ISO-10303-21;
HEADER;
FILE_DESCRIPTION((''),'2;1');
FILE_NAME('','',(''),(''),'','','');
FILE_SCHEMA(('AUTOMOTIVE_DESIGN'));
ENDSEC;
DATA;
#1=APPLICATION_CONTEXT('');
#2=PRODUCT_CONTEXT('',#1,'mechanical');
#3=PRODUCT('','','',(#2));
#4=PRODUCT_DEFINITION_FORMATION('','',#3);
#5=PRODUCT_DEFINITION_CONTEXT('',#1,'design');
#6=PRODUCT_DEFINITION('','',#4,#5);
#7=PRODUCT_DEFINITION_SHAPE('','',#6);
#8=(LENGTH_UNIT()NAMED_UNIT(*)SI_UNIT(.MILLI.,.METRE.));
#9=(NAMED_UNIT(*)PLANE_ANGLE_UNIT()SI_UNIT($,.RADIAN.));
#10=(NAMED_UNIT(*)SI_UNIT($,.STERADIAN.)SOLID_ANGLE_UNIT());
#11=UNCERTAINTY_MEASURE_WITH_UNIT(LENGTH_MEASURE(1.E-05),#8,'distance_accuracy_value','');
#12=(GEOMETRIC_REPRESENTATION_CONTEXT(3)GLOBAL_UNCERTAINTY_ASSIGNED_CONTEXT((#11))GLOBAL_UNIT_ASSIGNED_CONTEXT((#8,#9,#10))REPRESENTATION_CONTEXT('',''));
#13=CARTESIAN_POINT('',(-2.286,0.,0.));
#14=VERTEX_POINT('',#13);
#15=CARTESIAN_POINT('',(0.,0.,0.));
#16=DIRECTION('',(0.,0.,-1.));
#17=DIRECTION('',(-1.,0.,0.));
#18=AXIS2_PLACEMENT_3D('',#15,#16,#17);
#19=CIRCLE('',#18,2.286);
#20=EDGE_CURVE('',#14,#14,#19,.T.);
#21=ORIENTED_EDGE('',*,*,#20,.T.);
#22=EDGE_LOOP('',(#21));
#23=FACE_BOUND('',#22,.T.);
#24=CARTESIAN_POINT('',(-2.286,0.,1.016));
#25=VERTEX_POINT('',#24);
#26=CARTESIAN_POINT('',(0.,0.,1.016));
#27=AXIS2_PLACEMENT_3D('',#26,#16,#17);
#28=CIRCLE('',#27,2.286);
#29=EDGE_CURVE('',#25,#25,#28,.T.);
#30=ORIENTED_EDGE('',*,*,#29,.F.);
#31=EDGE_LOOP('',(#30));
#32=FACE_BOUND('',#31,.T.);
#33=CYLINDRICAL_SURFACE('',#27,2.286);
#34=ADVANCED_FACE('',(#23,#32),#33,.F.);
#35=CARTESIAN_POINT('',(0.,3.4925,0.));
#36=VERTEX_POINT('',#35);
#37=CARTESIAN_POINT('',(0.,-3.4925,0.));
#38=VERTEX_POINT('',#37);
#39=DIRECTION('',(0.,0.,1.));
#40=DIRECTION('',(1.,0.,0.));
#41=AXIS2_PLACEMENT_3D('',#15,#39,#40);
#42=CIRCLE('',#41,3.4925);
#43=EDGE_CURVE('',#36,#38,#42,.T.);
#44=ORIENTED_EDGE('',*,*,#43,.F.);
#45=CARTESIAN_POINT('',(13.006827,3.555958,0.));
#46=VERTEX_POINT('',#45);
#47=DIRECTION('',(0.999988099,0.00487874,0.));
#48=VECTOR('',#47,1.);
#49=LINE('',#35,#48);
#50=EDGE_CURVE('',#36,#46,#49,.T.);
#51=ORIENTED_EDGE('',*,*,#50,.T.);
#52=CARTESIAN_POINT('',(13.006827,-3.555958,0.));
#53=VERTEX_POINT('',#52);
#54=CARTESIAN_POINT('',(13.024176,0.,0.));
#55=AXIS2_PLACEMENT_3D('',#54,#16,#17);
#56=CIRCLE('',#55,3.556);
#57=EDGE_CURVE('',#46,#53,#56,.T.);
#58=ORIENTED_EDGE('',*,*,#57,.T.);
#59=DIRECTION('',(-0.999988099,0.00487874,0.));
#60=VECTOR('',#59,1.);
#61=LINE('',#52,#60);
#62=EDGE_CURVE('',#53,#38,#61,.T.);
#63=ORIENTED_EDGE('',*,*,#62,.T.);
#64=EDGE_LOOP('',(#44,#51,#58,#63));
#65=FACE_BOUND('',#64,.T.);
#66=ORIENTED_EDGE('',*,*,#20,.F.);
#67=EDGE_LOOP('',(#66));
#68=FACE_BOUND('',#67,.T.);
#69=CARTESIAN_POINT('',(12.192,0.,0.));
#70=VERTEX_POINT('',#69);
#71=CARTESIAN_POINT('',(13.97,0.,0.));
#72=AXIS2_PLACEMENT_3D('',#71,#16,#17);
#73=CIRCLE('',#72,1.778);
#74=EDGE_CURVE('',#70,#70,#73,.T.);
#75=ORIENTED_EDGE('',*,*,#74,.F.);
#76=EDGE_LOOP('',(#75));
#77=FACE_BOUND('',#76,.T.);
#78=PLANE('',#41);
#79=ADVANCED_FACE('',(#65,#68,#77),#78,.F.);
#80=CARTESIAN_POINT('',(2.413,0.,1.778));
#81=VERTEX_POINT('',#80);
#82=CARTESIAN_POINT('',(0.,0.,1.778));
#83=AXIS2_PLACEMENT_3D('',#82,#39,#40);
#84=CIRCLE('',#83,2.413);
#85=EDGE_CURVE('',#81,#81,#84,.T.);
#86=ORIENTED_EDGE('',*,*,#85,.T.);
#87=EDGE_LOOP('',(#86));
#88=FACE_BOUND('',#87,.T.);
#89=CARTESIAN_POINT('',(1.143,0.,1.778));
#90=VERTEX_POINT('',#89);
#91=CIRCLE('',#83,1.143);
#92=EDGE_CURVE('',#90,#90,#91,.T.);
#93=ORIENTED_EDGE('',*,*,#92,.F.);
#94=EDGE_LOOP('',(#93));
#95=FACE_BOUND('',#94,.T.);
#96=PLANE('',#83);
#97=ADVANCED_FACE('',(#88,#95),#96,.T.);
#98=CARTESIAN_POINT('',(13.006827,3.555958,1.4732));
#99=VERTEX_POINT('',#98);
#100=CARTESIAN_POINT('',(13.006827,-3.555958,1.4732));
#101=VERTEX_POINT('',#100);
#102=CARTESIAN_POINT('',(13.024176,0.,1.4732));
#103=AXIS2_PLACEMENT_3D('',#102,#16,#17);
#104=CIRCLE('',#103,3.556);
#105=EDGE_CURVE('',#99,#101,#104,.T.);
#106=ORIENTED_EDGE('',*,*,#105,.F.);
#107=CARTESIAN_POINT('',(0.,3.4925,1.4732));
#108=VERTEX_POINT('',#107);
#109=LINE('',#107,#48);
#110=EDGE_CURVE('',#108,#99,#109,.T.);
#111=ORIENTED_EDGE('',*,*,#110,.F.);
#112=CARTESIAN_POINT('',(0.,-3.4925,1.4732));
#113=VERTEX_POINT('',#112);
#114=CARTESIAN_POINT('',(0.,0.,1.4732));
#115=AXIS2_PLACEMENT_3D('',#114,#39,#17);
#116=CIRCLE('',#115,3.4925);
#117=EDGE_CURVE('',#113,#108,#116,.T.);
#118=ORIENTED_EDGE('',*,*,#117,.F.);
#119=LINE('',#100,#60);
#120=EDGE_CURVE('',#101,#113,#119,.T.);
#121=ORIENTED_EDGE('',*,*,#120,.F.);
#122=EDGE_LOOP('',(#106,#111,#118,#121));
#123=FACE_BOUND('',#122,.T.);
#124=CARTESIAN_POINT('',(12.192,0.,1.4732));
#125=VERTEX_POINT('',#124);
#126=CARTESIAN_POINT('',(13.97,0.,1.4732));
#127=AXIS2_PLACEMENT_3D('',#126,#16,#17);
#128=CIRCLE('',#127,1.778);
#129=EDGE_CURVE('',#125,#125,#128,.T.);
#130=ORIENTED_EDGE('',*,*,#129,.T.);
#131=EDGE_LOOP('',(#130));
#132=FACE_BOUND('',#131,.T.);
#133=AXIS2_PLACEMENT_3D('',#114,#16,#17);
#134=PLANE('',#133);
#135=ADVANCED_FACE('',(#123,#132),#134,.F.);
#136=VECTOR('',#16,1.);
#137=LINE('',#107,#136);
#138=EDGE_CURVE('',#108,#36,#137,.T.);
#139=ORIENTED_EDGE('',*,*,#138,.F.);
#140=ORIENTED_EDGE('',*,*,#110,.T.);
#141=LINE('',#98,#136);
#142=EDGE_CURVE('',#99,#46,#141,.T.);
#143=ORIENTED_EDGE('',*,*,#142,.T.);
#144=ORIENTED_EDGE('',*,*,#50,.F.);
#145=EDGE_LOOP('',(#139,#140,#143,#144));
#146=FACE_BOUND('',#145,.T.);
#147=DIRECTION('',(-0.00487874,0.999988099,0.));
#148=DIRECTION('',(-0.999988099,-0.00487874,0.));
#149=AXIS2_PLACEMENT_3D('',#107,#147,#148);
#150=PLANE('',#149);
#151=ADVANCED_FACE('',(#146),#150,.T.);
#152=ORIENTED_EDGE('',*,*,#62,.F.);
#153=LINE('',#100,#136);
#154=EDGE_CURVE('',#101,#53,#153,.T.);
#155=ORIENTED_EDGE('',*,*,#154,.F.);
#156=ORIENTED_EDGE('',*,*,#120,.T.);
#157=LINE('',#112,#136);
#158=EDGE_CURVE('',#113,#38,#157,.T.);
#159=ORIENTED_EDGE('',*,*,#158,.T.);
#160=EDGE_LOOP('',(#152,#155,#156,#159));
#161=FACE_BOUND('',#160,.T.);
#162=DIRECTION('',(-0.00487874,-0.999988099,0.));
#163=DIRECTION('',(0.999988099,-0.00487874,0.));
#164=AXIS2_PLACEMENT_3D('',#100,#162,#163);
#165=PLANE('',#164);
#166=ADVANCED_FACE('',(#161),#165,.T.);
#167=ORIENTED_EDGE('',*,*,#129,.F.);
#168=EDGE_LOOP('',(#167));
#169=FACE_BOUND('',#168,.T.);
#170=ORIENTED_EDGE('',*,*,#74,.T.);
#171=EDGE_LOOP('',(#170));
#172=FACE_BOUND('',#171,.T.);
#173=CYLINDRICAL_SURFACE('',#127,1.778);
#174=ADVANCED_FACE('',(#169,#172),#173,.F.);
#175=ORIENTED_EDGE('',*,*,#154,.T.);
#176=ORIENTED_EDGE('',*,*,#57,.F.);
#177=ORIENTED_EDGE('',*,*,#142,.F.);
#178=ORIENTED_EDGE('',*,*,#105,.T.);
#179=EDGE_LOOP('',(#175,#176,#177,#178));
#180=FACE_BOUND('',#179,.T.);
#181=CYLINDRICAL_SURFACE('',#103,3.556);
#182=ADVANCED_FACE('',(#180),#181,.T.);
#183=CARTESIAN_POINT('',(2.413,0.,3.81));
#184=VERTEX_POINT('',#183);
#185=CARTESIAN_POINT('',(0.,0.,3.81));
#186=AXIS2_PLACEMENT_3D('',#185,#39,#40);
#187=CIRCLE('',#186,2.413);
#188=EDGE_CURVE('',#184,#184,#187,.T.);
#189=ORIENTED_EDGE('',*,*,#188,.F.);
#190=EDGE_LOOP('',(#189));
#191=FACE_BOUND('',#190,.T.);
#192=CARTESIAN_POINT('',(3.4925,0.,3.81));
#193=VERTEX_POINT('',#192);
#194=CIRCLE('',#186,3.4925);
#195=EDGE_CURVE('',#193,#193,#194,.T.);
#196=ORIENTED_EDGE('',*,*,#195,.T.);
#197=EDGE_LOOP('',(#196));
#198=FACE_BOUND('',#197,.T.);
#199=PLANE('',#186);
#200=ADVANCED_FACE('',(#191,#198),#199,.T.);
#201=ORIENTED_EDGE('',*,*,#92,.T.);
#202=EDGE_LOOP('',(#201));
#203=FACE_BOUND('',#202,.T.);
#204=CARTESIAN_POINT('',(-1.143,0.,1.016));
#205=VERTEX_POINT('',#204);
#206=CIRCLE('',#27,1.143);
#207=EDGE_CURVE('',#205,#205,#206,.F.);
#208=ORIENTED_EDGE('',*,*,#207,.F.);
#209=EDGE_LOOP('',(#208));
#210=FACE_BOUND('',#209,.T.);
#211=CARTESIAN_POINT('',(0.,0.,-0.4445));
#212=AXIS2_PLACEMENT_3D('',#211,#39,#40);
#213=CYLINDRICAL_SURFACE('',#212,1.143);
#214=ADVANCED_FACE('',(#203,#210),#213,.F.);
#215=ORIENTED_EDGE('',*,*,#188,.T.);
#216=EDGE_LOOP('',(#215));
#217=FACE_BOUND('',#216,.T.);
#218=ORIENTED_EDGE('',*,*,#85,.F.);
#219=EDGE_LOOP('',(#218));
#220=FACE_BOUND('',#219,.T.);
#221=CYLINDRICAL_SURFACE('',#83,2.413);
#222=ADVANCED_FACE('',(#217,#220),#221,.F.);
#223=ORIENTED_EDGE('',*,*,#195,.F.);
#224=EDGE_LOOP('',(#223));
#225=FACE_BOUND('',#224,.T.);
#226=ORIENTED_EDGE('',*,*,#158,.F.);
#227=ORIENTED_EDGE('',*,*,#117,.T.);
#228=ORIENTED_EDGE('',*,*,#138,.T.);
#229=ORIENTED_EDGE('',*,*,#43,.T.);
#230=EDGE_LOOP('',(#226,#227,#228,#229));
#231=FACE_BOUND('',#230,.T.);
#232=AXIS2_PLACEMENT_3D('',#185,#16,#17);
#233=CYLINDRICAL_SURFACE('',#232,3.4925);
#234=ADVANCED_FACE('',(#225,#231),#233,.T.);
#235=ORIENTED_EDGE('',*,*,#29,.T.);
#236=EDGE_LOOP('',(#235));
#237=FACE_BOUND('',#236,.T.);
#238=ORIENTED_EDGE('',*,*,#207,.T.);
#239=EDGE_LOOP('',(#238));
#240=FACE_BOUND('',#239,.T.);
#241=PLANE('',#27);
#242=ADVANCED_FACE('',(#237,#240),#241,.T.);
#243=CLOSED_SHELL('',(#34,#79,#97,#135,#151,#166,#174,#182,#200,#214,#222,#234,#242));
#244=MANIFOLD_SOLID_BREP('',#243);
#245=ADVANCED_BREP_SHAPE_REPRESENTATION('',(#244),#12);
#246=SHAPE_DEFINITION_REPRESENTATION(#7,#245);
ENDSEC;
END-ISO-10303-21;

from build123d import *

# Parameters (mm, degrees)
SKETCH2_R           = 3.4925
BOSS_EXTRUDE1_DEPTH = 3.81
SKETCH3_R           = 2.413
CUT_EXTRUDE1_DEPTH  = 2.032
SKETCH4_R           = 1.143
CUT_EXTRUDE2_DEPTH  = 2.2225
SKETCH5_R           = 2.286
CUT_EXTRUDE3_DEPTH  = 1.016
SKETCH6_R           = 1.778
BOSS_EXTRUDE2_DEPTH = 1.4732


with BuildPart() as part:
    # Sketch2 → Boss-Extrude1 (new body)
    with BuildSketch(Plane.XY):
        with Locations(Location((0, 0, 0), (0, 0, 180))):
            Circle(SKETCH2_R)
    extrude(amount=BOSS_EXTRUDE1_DEPTH)

    # Sketch3 → Cut-Extrude1 (cut)
    with BuildSketch(Plane.XY.offset(3.81)):
        Circle(SKETCH3_R)
    extrude(amount=-CUT_EXTRUDE1_DEPTH, mode=Mode.SUBTRACT)

    # Sketch4 → Cut-Extrude2 (cut)
    with BuildSketch(Plane.XY.offset(1.778)):
        Circle(SKETCH4_R)
    extrude(amount=-CUT_EXTRUDE2_DEPTH, mode=Mode.SUBTRACT)

    # Sketch5 → Cut-Extrude3 (cut)
    with BuildSketch(Plane(origin=(0, 0, 0), x_dir=(-1, 0, 0), z_dir=(0, 0, -1))):
        Circle(SKETCH5_R)
    extrude(amount=-CUT_EXTRUDE3_DEPTH, mode=Mode.SUBTRACT)

    # Sketch6 → Boss-Extrude2 (add)
    with BuildSketch(Plane(origin=(0, 0, 0), x_dir=(-1, 0, 0), z_dir=(0, 0, -1))):
        with BuildLine():
            Line((0, 3.4925), (-13.006826988, 3.55595768))
            ThreePointArc((-13.006826988, 3.55595768), (-16.580175786, 0), (-13.006826988, -3.55595768))
            Line((-13.006826988, -3.55595768), (0, -3.4925))
            ThreePointArc((0, -3.4925), (-3.4925, 0), (0, 3.4925))
        make_face()
        with Locations((-13.97, 0)):
            Circle(SKETCH6_R, mode=Mode.SUBTRACT)
    extrude(amount=-BOSS_EXTRUDE2_DEPTH)


solid = part.part
